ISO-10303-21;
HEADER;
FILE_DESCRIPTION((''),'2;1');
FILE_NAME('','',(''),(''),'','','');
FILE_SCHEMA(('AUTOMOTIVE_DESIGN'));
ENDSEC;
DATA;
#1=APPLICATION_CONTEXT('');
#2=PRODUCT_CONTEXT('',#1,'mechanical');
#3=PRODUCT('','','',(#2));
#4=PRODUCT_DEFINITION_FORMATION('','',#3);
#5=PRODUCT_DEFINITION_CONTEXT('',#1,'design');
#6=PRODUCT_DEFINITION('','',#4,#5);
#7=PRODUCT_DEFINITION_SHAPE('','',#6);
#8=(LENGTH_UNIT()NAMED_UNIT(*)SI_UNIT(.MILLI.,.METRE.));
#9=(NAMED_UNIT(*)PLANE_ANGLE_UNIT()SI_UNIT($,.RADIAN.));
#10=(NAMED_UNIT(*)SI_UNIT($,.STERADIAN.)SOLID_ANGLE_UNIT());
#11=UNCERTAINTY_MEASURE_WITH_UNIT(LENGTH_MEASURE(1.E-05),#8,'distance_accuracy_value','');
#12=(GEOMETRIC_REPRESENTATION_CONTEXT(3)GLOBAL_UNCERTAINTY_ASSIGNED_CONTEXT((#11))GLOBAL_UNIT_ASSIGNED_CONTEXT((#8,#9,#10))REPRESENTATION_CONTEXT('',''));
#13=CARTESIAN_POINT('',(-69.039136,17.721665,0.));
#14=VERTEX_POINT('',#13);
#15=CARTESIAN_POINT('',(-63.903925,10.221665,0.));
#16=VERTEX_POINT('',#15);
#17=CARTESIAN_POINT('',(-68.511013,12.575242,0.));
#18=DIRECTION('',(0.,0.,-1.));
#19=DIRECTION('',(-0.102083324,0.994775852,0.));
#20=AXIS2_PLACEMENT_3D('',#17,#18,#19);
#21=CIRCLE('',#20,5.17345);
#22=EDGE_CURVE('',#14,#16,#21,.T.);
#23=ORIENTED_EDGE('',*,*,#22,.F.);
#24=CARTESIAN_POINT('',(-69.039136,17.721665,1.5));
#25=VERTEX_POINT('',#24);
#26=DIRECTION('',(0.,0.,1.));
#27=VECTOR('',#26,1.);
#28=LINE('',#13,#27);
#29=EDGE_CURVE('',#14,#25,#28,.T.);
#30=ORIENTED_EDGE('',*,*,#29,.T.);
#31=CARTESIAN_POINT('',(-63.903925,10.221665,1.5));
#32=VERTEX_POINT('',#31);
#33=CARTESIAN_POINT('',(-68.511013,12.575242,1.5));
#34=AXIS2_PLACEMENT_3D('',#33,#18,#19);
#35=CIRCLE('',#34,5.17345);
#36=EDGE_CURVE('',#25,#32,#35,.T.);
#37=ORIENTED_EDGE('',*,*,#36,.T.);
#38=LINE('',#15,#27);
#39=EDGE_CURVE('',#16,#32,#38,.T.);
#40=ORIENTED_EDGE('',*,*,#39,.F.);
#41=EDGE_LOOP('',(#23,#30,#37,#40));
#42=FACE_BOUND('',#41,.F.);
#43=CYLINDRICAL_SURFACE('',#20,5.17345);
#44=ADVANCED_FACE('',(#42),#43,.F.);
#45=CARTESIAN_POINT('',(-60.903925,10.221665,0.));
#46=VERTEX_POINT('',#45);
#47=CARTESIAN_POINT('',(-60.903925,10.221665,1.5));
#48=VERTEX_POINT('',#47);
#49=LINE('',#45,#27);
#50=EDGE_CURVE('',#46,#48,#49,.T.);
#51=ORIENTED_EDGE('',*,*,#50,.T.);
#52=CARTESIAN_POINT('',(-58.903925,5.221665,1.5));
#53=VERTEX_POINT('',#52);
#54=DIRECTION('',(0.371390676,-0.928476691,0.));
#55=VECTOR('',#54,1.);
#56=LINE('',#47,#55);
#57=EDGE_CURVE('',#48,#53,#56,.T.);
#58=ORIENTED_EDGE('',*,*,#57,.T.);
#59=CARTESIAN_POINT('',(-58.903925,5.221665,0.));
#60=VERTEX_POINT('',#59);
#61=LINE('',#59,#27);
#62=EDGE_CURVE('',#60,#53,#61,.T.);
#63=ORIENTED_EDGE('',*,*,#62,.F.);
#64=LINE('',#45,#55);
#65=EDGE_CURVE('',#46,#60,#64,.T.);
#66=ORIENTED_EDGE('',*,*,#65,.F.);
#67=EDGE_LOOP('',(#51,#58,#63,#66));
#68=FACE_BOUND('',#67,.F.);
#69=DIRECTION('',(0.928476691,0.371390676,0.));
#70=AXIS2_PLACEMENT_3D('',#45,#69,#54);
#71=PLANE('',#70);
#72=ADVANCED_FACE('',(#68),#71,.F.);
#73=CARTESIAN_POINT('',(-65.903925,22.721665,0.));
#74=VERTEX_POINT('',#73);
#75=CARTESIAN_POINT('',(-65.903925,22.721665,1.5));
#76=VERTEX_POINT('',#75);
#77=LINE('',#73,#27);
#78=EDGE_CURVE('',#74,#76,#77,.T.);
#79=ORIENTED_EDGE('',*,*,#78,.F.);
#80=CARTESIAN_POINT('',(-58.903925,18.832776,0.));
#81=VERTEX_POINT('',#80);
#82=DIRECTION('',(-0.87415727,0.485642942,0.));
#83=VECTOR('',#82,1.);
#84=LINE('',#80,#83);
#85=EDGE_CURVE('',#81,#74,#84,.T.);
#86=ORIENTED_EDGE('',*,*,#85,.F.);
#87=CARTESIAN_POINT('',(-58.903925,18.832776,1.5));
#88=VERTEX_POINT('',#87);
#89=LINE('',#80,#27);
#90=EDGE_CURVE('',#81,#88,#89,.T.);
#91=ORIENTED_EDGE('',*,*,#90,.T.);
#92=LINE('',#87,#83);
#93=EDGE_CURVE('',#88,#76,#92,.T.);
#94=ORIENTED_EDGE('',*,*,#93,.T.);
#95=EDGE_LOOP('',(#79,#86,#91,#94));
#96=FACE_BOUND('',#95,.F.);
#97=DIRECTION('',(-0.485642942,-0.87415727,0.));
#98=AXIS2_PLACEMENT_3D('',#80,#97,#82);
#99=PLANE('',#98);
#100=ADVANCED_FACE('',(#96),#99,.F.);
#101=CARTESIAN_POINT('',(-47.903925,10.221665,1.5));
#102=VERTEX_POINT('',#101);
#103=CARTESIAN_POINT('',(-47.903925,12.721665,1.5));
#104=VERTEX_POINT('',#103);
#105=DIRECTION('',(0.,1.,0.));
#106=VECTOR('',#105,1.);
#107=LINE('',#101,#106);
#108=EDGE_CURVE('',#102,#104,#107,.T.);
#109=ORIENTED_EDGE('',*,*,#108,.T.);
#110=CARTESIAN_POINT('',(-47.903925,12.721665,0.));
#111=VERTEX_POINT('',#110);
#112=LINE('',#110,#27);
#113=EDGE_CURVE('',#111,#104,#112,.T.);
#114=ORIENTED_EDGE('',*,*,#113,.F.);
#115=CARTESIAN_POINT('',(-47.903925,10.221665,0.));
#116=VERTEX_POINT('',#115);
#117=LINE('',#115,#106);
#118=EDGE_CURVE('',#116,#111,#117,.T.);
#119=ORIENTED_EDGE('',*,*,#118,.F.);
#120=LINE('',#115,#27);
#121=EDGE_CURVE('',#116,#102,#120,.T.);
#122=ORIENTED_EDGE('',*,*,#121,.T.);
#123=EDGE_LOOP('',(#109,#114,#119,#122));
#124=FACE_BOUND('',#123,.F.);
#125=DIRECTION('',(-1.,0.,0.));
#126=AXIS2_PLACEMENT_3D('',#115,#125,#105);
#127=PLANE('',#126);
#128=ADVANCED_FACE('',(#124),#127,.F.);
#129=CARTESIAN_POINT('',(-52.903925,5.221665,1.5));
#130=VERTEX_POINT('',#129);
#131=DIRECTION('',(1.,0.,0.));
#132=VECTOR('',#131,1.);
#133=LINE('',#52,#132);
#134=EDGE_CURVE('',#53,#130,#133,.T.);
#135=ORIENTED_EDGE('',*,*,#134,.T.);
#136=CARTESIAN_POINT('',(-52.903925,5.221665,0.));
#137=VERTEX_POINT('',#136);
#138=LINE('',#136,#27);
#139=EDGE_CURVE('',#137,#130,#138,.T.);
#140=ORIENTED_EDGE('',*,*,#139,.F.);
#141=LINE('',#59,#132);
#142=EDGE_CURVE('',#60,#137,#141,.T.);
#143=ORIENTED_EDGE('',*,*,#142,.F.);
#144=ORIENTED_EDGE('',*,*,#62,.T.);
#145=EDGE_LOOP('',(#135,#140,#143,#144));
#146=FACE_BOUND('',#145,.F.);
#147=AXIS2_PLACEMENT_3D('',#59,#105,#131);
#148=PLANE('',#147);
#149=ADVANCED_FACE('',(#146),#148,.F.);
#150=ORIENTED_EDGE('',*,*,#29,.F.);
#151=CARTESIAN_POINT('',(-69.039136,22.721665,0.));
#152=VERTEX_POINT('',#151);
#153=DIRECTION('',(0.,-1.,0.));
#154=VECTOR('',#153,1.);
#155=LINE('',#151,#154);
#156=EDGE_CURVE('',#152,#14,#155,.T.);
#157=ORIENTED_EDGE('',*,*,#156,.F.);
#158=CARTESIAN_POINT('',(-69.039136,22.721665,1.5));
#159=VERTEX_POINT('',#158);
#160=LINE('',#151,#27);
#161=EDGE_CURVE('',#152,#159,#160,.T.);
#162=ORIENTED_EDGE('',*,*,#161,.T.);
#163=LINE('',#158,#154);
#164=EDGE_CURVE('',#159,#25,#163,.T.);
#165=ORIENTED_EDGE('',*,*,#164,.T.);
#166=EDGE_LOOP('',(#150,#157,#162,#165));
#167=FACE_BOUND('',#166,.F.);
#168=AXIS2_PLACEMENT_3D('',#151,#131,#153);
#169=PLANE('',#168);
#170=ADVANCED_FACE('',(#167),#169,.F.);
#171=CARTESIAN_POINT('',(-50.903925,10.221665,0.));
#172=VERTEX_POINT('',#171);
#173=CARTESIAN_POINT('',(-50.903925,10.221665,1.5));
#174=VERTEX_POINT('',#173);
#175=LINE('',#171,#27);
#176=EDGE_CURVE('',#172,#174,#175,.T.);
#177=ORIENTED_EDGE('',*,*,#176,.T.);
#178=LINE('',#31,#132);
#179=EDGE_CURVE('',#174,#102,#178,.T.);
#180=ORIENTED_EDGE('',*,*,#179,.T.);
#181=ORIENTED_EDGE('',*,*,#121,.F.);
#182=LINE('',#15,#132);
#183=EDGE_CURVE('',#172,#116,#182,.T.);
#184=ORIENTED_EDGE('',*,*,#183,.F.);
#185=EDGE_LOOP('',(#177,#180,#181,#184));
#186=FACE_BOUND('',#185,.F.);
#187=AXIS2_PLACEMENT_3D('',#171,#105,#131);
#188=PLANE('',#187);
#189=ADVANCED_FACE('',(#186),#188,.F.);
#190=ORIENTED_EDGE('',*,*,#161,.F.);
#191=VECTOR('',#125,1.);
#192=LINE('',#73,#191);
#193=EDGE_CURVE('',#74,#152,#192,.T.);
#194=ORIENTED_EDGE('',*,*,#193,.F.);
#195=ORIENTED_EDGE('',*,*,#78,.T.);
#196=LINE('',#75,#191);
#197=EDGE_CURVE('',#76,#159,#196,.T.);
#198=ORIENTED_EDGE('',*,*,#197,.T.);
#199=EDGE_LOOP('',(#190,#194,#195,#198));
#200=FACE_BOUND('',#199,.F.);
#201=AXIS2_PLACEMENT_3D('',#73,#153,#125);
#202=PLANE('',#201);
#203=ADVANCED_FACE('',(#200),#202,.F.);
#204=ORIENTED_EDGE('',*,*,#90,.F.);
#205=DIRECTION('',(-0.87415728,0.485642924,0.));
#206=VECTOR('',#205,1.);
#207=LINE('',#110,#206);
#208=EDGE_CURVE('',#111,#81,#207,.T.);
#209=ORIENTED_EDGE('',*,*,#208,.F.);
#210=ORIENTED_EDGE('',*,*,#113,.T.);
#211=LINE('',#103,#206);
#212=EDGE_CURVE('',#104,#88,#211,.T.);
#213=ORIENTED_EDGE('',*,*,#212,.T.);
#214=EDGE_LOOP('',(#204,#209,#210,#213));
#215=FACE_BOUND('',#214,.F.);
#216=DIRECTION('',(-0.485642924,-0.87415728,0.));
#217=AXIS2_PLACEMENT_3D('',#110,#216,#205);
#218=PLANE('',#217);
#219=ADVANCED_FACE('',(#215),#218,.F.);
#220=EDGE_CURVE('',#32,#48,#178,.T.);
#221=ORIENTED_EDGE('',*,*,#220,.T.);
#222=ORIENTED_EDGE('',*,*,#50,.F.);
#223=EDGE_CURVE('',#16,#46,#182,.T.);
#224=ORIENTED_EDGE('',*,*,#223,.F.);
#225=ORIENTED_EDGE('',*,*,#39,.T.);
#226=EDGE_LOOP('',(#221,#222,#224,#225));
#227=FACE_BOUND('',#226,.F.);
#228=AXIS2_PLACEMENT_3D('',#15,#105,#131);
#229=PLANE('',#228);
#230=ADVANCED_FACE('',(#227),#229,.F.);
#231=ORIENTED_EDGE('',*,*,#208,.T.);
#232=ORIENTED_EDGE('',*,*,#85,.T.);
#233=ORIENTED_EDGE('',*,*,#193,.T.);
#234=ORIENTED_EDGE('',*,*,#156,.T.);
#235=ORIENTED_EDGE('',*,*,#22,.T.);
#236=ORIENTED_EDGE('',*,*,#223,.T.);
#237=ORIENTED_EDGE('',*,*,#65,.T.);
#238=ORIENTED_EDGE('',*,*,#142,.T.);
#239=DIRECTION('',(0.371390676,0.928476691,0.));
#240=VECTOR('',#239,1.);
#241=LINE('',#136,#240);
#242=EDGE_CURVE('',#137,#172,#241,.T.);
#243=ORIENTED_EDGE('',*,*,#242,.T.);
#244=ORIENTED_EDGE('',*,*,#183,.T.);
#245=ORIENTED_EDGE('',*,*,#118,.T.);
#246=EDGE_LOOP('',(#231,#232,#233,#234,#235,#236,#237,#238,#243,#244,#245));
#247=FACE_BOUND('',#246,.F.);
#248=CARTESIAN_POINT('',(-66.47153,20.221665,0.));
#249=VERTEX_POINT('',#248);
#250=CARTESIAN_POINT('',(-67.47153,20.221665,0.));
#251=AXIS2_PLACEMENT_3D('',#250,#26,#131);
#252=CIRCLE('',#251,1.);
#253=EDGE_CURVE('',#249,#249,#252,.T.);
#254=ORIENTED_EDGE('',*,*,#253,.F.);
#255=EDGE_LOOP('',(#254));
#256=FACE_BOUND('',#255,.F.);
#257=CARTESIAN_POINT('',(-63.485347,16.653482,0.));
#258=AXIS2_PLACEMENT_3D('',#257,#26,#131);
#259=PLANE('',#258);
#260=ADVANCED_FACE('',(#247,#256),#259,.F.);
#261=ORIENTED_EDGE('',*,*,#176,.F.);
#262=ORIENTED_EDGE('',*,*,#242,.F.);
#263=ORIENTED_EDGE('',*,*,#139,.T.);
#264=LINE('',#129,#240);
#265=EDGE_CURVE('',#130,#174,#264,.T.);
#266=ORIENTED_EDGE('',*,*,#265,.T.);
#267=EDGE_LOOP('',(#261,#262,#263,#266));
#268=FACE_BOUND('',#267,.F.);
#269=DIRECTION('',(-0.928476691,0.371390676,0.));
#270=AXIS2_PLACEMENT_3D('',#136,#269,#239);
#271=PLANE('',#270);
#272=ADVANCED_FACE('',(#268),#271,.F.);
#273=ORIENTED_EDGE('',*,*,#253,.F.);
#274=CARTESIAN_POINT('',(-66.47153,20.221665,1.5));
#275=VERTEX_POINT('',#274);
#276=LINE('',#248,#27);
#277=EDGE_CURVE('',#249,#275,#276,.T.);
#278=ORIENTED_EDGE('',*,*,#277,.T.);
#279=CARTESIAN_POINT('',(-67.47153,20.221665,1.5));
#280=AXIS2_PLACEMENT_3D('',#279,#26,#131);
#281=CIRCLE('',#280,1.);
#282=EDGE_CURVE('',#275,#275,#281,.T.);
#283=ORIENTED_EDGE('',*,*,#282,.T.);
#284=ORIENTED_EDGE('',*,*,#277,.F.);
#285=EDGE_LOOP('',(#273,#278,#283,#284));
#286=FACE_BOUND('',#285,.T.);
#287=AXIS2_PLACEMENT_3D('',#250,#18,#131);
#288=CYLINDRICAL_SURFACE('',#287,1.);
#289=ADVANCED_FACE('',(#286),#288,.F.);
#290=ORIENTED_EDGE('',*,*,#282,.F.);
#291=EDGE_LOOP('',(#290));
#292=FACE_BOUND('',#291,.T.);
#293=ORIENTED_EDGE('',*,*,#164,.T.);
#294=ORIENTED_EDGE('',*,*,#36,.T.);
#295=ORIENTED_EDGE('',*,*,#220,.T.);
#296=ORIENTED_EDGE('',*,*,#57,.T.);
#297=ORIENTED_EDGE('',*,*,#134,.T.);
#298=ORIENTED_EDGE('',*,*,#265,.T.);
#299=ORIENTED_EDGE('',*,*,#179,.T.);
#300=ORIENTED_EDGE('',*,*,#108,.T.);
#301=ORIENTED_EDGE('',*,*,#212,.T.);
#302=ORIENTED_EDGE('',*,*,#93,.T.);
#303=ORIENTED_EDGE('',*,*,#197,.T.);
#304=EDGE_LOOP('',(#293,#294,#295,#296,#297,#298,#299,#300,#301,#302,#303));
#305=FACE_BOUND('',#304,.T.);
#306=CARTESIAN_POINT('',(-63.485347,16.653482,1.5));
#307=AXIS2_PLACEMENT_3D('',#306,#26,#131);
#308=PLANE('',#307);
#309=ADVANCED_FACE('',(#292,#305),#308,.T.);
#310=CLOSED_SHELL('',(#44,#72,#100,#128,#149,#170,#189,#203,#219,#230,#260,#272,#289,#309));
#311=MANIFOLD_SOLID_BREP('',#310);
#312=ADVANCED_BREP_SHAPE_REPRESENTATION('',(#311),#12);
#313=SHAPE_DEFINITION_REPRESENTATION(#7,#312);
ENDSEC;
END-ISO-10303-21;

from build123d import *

# Parameters (mm, degrees)
F0_R     = 1
F0_W     = 3
F0_H     = 5
F1_DEPTH = 1.5


with BuildPart() as f1:
    # F0 (on Top) → F1 (new body)
    with BuildSketch(Plane.XY):
        with BuildLine():
            Line((-63.903925, 10.221665), (-60.903925, 10.221665))
            Line((-60.903925, 10.221665), (-58.903925, 10.221665))
            Line((-58.903925, 10.221665), (-58.903925, 18.832776))
            Line((-58.903925, 18.832776), (-65.903925, 22.721665))
            Line((-65.903925, 22.721665), (-69.039136, 22.721665))
            Line((-69.039136, 22.721665), (-69.039136, 17.721665))
            ThreePointArc((-69.039136, 17.721665), (-64.242291, 15.498014), (-63.903925, 10.221665))
        make_face()
        with Locations((-67.47153, 20.221665)):
            Circle(F0_R, mode=Mode.SUBTRACT)
        Polygon((-58.903925, 18.832776), (-58.903925, 10.221665), (-55.903925, 10.221665), (-50.903925, 10.221665), (-47.903925, 10.221665), (-47.903925, 12.721665), align=None)
        with Locations((-57.403925, 7.721665)):
            Rectangle(F0_W, F0_H)
        Polygon((-60.903925, 10.221665), (-58.903925, 5.221665), (-58.903925, 10.221665), align=None)
        Polygon((-55.903925, 10.221665), (-55.903925, 5.221665), (-52.903925, 5.221665), (-50.903925, 10.221665), align=None)
    extrude(amount=F1_DEPTH)


solid = f1.part
